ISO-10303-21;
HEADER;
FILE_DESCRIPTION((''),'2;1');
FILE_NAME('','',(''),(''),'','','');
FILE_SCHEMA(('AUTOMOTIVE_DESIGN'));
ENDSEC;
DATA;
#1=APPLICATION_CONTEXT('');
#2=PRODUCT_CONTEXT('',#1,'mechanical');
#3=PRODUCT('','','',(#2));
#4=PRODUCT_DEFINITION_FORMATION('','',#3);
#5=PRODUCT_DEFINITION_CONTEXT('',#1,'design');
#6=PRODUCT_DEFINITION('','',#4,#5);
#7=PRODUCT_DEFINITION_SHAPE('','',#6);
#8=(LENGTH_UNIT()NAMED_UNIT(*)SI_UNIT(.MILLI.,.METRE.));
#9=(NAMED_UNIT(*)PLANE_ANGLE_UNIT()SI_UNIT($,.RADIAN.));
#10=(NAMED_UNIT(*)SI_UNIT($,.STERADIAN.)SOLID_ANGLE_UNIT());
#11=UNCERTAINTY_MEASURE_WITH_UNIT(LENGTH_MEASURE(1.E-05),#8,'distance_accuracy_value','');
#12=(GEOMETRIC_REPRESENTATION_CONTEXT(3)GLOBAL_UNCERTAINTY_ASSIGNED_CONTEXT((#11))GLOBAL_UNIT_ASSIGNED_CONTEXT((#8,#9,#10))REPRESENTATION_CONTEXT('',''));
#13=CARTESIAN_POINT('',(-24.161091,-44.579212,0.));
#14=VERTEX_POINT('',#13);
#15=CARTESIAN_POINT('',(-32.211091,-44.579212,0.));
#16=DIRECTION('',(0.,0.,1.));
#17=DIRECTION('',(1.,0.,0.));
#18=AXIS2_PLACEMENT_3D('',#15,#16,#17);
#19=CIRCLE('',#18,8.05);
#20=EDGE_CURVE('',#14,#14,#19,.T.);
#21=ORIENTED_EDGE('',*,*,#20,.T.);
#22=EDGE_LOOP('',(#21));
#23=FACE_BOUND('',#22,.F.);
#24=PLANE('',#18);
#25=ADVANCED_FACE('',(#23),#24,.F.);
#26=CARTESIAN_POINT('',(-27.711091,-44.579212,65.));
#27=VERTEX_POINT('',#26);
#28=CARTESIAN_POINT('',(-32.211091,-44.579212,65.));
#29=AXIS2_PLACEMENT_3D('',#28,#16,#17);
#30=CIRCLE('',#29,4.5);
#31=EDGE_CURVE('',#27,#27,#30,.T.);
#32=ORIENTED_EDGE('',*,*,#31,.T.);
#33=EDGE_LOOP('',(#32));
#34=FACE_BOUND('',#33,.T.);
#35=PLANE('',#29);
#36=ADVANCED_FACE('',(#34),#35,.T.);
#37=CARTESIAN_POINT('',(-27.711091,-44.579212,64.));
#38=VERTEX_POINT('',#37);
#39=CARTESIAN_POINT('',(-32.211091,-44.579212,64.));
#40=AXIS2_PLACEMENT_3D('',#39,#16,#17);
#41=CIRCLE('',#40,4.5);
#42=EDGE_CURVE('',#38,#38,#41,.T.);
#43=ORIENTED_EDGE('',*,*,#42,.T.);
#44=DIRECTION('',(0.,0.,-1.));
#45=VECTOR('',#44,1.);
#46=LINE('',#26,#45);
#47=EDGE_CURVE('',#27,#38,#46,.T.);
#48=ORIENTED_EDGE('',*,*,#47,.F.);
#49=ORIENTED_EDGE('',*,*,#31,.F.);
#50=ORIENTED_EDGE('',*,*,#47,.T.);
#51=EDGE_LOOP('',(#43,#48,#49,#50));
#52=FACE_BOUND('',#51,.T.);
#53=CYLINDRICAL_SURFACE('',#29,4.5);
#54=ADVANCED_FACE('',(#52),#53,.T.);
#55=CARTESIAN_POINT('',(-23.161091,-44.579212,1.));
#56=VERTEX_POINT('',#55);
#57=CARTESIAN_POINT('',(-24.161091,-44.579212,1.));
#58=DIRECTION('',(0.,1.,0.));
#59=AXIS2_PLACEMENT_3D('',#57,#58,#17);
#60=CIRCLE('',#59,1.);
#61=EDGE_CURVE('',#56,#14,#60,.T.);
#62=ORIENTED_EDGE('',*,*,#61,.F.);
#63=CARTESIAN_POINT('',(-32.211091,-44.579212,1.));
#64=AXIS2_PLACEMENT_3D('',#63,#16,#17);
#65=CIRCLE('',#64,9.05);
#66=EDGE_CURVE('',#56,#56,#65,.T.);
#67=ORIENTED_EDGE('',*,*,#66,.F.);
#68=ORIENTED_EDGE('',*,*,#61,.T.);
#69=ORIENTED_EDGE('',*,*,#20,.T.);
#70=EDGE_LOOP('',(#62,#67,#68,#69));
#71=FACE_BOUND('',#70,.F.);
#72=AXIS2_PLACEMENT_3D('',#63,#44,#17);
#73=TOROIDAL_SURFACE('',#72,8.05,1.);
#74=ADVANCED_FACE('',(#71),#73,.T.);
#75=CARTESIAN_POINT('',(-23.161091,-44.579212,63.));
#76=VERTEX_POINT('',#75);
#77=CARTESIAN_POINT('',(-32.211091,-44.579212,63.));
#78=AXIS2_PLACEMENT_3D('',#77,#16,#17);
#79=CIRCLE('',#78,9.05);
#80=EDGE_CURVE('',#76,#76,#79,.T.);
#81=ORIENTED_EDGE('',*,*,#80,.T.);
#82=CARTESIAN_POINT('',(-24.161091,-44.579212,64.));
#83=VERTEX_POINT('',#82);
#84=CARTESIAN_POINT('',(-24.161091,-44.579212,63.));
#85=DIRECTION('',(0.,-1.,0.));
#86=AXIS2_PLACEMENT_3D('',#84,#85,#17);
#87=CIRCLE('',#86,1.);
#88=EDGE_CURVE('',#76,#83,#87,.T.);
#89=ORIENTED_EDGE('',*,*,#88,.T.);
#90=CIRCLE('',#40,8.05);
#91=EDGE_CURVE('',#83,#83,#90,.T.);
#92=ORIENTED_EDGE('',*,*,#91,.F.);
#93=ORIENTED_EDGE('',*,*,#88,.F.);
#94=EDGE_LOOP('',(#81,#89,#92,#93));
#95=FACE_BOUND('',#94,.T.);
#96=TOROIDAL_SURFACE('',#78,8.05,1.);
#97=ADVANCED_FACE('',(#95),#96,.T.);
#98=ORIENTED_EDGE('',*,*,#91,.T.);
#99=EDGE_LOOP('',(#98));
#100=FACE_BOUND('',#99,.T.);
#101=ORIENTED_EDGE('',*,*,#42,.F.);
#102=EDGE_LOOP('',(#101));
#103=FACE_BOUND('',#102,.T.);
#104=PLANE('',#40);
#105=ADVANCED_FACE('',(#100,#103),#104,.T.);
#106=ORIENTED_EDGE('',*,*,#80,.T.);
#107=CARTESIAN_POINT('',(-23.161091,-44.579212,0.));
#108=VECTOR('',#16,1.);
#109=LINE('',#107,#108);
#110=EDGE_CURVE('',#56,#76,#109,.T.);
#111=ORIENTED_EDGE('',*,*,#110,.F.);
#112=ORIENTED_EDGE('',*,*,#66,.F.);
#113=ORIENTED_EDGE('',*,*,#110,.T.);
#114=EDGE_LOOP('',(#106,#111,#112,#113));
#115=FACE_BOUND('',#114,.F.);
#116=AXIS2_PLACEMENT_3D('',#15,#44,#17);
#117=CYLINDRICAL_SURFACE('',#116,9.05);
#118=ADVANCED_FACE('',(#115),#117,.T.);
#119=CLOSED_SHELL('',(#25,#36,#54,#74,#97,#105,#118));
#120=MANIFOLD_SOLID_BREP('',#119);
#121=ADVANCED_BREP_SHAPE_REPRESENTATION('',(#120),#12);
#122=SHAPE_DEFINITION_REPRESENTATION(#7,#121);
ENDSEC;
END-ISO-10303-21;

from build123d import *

# Parameters (mm, degrees)
F0_R     = 9.05
F1_DEPTH = 65
F2_R     = 9.05
F2_R_2   = 4.5
F3_DEPTH = 1
F4_R     = 1


with BuildPart() as f1:
    # F0 (on Top) → F1 (new body)
    with BuildSketch(Plane.XY):
        with Locations((-32.211091, -44.579212)):
            Circle(F0_R)
    extrude(amount=F1_DEPTH)

    # F2 (on face) → F3 (cut)
    with BuildSketch(Plane.XY.offset(65)):
        with Locations((-32.211091, -44.579212)):
            Circle(F2_R)
        with Locations((-32.211091, -44.579212)):
            Circle(F2_R_2, mode=Mode.SUBTRACT)
    extrude(amount=-F3_DEPTH, mode=Mode.SUBTRACT)

    # F4
    f4_edges = [f1.edges().sort_by_distance(p)[0] for p in [
        (-41.261091, -44.579212, 64),
        (-41.261091, -44.579212, 0),
    ]]
    fillet(f4_edges, radius=F4_R)


solid = f1.part
